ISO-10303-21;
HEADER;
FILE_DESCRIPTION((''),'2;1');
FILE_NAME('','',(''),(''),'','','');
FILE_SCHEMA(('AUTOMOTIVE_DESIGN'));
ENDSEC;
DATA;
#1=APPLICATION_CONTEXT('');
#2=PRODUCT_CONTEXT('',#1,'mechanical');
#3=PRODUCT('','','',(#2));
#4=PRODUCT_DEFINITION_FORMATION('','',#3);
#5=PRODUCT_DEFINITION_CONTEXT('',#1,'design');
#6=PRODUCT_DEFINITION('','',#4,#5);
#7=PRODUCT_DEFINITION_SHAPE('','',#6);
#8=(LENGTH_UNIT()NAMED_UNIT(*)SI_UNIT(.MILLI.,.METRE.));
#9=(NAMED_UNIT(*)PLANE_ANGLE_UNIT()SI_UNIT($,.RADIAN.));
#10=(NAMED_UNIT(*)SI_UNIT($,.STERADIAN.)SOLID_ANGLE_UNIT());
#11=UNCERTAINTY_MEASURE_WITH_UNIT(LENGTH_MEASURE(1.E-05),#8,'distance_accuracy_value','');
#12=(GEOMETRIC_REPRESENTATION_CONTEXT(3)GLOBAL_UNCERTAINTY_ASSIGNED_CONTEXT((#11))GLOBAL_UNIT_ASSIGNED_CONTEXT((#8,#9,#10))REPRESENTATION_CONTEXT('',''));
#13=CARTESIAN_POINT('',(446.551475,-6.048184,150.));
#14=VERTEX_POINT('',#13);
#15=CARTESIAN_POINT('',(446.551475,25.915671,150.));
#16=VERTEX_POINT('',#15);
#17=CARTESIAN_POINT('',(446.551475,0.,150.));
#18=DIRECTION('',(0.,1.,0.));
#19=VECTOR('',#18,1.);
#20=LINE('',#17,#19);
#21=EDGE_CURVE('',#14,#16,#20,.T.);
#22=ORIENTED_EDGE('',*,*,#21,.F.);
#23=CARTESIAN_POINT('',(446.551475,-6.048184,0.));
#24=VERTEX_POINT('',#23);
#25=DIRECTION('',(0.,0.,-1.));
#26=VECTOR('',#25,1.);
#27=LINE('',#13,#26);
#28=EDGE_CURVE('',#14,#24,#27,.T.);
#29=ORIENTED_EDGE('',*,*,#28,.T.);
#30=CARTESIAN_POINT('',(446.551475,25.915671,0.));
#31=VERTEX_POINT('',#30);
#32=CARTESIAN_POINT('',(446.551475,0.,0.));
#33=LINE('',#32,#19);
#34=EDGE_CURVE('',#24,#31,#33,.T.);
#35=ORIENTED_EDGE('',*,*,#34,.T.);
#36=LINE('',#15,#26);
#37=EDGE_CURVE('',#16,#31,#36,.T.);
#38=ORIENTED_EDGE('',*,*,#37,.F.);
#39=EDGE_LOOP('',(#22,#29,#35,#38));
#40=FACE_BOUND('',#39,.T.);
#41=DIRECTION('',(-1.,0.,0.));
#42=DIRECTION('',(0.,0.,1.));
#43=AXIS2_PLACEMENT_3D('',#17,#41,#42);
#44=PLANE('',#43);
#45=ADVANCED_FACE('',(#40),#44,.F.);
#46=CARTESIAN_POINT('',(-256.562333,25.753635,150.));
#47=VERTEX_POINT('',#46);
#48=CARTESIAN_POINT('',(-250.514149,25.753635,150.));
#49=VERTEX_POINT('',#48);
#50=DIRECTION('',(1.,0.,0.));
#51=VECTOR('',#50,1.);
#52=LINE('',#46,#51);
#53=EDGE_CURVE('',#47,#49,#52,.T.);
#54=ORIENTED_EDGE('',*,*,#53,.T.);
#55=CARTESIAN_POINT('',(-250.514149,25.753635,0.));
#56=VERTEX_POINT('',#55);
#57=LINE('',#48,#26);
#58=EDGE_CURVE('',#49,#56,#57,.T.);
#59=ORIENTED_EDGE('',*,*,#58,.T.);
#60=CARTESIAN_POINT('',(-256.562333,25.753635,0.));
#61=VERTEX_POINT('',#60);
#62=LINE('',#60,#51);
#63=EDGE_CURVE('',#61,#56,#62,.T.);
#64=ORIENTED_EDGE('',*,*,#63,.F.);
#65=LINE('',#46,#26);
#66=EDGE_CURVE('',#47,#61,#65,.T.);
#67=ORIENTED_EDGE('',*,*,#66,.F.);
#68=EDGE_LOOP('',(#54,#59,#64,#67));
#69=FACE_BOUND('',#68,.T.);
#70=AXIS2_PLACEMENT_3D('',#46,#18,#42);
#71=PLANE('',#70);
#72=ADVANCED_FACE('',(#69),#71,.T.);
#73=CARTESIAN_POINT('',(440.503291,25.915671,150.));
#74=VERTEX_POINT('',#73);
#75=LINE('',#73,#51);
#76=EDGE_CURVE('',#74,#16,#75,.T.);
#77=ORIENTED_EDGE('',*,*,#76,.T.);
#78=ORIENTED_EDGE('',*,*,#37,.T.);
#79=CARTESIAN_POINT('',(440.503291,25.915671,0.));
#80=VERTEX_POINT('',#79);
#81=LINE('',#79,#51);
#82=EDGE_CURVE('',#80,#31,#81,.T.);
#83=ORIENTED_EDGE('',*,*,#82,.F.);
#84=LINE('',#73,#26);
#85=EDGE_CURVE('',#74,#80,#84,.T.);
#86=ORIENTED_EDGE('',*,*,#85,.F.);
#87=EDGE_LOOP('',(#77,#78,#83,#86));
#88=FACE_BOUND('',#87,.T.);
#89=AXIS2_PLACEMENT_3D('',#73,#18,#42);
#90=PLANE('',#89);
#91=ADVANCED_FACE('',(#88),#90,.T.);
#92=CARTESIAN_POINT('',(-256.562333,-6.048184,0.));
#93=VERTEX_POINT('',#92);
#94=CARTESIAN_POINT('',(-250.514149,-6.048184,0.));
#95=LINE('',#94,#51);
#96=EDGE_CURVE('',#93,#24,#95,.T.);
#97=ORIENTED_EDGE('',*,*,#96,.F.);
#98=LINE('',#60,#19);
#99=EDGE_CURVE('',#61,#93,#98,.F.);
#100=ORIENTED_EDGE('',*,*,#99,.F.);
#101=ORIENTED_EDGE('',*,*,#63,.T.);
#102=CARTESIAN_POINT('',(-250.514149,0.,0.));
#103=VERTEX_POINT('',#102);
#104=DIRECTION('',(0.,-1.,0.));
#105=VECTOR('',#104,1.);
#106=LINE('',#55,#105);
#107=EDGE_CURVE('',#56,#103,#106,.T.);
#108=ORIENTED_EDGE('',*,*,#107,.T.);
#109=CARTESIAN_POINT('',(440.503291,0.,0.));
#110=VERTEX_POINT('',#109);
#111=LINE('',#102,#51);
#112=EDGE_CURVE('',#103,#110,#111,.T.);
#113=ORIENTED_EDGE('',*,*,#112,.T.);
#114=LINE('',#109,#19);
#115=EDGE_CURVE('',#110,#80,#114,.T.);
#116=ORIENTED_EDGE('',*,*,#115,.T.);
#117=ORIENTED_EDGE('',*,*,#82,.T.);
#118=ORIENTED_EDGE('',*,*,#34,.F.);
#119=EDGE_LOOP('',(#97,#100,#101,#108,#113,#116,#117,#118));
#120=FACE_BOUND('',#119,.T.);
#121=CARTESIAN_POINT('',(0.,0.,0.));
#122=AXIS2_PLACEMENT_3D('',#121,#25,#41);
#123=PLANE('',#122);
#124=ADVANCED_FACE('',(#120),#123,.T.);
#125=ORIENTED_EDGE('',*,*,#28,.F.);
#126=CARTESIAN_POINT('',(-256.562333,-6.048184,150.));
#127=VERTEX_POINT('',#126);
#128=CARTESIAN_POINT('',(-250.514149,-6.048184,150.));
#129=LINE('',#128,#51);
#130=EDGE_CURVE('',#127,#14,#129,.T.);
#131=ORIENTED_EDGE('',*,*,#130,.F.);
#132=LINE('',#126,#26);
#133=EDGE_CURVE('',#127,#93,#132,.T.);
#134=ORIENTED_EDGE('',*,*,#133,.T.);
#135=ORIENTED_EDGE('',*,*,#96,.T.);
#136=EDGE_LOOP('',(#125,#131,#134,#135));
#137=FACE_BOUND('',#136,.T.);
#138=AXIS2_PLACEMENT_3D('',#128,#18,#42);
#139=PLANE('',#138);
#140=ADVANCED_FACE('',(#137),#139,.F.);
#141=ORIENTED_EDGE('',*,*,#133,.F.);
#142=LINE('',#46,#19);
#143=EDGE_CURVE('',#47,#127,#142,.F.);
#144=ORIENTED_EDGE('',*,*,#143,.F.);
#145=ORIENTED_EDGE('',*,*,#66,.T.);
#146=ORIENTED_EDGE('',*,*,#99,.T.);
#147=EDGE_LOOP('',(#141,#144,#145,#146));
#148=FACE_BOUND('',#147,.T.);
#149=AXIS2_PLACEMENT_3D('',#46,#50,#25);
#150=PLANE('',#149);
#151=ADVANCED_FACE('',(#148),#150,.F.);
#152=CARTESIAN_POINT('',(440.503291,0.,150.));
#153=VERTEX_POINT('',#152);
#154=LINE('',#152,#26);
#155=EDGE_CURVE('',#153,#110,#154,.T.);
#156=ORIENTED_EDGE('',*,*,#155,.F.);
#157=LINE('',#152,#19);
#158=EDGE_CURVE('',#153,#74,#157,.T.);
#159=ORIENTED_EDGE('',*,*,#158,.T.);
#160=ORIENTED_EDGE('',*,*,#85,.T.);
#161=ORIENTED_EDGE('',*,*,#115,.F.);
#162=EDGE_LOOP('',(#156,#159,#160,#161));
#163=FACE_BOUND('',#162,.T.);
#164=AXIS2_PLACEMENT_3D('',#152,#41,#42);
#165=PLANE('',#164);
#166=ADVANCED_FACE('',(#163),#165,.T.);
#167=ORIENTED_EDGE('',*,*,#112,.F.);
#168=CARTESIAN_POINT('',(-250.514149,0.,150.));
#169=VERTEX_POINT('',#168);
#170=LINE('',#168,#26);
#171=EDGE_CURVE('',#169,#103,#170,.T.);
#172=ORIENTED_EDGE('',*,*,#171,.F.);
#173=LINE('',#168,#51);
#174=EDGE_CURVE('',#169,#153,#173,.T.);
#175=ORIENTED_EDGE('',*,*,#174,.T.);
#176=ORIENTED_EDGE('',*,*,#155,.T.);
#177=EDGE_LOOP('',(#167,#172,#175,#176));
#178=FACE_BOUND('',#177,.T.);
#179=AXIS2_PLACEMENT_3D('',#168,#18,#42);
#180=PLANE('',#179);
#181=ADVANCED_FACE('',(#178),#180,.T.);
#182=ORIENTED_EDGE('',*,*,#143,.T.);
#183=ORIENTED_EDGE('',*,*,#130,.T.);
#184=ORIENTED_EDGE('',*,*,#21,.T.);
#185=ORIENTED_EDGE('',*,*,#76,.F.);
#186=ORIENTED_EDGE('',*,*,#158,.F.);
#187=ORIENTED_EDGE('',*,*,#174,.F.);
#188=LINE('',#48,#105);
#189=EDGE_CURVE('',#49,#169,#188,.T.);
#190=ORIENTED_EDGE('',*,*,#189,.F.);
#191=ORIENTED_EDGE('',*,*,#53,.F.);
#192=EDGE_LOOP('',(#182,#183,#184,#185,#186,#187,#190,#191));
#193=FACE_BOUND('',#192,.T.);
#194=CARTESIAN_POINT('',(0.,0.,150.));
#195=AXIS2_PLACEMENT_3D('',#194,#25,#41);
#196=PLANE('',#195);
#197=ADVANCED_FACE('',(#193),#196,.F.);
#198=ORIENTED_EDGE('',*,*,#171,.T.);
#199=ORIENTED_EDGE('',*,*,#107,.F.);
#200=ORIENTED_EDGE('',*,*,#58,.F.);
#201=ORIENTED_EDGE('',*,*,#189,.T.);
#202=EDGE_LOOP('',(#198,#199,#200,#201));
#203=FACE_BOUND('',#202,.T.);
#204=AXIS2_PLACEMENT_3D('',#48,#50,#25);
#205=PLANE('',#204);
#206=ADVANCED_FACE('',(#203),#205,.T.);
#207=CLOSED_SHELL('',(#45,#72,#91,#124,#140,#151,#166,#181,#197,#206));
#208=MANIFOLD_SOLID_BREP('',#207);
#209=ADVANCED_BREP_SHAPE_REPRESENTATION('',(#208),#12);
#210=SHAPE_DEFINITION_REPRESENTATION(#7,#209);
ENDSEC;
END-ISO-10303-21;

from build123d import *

# Parameters (mm, degrees)
EXTRUDE_THIN1_DEPTH = 150


with BuildPart() as part:
    # Sketch1 → Extrude-Thin1 (new body)
    with BuildSketch(Plane.XY):
        Polygon((-250.514148937, 25.753634758), (-250.514148937, 0), (440.503291061, 0), (440.503291061, 25.915671281), (446.551474959, 25.915671281), (446.551474959, -6.048183898), (-256.562332835, -6.048183898), (-256.562332835, 25.753634758), align=None)
    extrude(amount=EXTRUDE_THIN1_DEPTH)


solid = part.part
